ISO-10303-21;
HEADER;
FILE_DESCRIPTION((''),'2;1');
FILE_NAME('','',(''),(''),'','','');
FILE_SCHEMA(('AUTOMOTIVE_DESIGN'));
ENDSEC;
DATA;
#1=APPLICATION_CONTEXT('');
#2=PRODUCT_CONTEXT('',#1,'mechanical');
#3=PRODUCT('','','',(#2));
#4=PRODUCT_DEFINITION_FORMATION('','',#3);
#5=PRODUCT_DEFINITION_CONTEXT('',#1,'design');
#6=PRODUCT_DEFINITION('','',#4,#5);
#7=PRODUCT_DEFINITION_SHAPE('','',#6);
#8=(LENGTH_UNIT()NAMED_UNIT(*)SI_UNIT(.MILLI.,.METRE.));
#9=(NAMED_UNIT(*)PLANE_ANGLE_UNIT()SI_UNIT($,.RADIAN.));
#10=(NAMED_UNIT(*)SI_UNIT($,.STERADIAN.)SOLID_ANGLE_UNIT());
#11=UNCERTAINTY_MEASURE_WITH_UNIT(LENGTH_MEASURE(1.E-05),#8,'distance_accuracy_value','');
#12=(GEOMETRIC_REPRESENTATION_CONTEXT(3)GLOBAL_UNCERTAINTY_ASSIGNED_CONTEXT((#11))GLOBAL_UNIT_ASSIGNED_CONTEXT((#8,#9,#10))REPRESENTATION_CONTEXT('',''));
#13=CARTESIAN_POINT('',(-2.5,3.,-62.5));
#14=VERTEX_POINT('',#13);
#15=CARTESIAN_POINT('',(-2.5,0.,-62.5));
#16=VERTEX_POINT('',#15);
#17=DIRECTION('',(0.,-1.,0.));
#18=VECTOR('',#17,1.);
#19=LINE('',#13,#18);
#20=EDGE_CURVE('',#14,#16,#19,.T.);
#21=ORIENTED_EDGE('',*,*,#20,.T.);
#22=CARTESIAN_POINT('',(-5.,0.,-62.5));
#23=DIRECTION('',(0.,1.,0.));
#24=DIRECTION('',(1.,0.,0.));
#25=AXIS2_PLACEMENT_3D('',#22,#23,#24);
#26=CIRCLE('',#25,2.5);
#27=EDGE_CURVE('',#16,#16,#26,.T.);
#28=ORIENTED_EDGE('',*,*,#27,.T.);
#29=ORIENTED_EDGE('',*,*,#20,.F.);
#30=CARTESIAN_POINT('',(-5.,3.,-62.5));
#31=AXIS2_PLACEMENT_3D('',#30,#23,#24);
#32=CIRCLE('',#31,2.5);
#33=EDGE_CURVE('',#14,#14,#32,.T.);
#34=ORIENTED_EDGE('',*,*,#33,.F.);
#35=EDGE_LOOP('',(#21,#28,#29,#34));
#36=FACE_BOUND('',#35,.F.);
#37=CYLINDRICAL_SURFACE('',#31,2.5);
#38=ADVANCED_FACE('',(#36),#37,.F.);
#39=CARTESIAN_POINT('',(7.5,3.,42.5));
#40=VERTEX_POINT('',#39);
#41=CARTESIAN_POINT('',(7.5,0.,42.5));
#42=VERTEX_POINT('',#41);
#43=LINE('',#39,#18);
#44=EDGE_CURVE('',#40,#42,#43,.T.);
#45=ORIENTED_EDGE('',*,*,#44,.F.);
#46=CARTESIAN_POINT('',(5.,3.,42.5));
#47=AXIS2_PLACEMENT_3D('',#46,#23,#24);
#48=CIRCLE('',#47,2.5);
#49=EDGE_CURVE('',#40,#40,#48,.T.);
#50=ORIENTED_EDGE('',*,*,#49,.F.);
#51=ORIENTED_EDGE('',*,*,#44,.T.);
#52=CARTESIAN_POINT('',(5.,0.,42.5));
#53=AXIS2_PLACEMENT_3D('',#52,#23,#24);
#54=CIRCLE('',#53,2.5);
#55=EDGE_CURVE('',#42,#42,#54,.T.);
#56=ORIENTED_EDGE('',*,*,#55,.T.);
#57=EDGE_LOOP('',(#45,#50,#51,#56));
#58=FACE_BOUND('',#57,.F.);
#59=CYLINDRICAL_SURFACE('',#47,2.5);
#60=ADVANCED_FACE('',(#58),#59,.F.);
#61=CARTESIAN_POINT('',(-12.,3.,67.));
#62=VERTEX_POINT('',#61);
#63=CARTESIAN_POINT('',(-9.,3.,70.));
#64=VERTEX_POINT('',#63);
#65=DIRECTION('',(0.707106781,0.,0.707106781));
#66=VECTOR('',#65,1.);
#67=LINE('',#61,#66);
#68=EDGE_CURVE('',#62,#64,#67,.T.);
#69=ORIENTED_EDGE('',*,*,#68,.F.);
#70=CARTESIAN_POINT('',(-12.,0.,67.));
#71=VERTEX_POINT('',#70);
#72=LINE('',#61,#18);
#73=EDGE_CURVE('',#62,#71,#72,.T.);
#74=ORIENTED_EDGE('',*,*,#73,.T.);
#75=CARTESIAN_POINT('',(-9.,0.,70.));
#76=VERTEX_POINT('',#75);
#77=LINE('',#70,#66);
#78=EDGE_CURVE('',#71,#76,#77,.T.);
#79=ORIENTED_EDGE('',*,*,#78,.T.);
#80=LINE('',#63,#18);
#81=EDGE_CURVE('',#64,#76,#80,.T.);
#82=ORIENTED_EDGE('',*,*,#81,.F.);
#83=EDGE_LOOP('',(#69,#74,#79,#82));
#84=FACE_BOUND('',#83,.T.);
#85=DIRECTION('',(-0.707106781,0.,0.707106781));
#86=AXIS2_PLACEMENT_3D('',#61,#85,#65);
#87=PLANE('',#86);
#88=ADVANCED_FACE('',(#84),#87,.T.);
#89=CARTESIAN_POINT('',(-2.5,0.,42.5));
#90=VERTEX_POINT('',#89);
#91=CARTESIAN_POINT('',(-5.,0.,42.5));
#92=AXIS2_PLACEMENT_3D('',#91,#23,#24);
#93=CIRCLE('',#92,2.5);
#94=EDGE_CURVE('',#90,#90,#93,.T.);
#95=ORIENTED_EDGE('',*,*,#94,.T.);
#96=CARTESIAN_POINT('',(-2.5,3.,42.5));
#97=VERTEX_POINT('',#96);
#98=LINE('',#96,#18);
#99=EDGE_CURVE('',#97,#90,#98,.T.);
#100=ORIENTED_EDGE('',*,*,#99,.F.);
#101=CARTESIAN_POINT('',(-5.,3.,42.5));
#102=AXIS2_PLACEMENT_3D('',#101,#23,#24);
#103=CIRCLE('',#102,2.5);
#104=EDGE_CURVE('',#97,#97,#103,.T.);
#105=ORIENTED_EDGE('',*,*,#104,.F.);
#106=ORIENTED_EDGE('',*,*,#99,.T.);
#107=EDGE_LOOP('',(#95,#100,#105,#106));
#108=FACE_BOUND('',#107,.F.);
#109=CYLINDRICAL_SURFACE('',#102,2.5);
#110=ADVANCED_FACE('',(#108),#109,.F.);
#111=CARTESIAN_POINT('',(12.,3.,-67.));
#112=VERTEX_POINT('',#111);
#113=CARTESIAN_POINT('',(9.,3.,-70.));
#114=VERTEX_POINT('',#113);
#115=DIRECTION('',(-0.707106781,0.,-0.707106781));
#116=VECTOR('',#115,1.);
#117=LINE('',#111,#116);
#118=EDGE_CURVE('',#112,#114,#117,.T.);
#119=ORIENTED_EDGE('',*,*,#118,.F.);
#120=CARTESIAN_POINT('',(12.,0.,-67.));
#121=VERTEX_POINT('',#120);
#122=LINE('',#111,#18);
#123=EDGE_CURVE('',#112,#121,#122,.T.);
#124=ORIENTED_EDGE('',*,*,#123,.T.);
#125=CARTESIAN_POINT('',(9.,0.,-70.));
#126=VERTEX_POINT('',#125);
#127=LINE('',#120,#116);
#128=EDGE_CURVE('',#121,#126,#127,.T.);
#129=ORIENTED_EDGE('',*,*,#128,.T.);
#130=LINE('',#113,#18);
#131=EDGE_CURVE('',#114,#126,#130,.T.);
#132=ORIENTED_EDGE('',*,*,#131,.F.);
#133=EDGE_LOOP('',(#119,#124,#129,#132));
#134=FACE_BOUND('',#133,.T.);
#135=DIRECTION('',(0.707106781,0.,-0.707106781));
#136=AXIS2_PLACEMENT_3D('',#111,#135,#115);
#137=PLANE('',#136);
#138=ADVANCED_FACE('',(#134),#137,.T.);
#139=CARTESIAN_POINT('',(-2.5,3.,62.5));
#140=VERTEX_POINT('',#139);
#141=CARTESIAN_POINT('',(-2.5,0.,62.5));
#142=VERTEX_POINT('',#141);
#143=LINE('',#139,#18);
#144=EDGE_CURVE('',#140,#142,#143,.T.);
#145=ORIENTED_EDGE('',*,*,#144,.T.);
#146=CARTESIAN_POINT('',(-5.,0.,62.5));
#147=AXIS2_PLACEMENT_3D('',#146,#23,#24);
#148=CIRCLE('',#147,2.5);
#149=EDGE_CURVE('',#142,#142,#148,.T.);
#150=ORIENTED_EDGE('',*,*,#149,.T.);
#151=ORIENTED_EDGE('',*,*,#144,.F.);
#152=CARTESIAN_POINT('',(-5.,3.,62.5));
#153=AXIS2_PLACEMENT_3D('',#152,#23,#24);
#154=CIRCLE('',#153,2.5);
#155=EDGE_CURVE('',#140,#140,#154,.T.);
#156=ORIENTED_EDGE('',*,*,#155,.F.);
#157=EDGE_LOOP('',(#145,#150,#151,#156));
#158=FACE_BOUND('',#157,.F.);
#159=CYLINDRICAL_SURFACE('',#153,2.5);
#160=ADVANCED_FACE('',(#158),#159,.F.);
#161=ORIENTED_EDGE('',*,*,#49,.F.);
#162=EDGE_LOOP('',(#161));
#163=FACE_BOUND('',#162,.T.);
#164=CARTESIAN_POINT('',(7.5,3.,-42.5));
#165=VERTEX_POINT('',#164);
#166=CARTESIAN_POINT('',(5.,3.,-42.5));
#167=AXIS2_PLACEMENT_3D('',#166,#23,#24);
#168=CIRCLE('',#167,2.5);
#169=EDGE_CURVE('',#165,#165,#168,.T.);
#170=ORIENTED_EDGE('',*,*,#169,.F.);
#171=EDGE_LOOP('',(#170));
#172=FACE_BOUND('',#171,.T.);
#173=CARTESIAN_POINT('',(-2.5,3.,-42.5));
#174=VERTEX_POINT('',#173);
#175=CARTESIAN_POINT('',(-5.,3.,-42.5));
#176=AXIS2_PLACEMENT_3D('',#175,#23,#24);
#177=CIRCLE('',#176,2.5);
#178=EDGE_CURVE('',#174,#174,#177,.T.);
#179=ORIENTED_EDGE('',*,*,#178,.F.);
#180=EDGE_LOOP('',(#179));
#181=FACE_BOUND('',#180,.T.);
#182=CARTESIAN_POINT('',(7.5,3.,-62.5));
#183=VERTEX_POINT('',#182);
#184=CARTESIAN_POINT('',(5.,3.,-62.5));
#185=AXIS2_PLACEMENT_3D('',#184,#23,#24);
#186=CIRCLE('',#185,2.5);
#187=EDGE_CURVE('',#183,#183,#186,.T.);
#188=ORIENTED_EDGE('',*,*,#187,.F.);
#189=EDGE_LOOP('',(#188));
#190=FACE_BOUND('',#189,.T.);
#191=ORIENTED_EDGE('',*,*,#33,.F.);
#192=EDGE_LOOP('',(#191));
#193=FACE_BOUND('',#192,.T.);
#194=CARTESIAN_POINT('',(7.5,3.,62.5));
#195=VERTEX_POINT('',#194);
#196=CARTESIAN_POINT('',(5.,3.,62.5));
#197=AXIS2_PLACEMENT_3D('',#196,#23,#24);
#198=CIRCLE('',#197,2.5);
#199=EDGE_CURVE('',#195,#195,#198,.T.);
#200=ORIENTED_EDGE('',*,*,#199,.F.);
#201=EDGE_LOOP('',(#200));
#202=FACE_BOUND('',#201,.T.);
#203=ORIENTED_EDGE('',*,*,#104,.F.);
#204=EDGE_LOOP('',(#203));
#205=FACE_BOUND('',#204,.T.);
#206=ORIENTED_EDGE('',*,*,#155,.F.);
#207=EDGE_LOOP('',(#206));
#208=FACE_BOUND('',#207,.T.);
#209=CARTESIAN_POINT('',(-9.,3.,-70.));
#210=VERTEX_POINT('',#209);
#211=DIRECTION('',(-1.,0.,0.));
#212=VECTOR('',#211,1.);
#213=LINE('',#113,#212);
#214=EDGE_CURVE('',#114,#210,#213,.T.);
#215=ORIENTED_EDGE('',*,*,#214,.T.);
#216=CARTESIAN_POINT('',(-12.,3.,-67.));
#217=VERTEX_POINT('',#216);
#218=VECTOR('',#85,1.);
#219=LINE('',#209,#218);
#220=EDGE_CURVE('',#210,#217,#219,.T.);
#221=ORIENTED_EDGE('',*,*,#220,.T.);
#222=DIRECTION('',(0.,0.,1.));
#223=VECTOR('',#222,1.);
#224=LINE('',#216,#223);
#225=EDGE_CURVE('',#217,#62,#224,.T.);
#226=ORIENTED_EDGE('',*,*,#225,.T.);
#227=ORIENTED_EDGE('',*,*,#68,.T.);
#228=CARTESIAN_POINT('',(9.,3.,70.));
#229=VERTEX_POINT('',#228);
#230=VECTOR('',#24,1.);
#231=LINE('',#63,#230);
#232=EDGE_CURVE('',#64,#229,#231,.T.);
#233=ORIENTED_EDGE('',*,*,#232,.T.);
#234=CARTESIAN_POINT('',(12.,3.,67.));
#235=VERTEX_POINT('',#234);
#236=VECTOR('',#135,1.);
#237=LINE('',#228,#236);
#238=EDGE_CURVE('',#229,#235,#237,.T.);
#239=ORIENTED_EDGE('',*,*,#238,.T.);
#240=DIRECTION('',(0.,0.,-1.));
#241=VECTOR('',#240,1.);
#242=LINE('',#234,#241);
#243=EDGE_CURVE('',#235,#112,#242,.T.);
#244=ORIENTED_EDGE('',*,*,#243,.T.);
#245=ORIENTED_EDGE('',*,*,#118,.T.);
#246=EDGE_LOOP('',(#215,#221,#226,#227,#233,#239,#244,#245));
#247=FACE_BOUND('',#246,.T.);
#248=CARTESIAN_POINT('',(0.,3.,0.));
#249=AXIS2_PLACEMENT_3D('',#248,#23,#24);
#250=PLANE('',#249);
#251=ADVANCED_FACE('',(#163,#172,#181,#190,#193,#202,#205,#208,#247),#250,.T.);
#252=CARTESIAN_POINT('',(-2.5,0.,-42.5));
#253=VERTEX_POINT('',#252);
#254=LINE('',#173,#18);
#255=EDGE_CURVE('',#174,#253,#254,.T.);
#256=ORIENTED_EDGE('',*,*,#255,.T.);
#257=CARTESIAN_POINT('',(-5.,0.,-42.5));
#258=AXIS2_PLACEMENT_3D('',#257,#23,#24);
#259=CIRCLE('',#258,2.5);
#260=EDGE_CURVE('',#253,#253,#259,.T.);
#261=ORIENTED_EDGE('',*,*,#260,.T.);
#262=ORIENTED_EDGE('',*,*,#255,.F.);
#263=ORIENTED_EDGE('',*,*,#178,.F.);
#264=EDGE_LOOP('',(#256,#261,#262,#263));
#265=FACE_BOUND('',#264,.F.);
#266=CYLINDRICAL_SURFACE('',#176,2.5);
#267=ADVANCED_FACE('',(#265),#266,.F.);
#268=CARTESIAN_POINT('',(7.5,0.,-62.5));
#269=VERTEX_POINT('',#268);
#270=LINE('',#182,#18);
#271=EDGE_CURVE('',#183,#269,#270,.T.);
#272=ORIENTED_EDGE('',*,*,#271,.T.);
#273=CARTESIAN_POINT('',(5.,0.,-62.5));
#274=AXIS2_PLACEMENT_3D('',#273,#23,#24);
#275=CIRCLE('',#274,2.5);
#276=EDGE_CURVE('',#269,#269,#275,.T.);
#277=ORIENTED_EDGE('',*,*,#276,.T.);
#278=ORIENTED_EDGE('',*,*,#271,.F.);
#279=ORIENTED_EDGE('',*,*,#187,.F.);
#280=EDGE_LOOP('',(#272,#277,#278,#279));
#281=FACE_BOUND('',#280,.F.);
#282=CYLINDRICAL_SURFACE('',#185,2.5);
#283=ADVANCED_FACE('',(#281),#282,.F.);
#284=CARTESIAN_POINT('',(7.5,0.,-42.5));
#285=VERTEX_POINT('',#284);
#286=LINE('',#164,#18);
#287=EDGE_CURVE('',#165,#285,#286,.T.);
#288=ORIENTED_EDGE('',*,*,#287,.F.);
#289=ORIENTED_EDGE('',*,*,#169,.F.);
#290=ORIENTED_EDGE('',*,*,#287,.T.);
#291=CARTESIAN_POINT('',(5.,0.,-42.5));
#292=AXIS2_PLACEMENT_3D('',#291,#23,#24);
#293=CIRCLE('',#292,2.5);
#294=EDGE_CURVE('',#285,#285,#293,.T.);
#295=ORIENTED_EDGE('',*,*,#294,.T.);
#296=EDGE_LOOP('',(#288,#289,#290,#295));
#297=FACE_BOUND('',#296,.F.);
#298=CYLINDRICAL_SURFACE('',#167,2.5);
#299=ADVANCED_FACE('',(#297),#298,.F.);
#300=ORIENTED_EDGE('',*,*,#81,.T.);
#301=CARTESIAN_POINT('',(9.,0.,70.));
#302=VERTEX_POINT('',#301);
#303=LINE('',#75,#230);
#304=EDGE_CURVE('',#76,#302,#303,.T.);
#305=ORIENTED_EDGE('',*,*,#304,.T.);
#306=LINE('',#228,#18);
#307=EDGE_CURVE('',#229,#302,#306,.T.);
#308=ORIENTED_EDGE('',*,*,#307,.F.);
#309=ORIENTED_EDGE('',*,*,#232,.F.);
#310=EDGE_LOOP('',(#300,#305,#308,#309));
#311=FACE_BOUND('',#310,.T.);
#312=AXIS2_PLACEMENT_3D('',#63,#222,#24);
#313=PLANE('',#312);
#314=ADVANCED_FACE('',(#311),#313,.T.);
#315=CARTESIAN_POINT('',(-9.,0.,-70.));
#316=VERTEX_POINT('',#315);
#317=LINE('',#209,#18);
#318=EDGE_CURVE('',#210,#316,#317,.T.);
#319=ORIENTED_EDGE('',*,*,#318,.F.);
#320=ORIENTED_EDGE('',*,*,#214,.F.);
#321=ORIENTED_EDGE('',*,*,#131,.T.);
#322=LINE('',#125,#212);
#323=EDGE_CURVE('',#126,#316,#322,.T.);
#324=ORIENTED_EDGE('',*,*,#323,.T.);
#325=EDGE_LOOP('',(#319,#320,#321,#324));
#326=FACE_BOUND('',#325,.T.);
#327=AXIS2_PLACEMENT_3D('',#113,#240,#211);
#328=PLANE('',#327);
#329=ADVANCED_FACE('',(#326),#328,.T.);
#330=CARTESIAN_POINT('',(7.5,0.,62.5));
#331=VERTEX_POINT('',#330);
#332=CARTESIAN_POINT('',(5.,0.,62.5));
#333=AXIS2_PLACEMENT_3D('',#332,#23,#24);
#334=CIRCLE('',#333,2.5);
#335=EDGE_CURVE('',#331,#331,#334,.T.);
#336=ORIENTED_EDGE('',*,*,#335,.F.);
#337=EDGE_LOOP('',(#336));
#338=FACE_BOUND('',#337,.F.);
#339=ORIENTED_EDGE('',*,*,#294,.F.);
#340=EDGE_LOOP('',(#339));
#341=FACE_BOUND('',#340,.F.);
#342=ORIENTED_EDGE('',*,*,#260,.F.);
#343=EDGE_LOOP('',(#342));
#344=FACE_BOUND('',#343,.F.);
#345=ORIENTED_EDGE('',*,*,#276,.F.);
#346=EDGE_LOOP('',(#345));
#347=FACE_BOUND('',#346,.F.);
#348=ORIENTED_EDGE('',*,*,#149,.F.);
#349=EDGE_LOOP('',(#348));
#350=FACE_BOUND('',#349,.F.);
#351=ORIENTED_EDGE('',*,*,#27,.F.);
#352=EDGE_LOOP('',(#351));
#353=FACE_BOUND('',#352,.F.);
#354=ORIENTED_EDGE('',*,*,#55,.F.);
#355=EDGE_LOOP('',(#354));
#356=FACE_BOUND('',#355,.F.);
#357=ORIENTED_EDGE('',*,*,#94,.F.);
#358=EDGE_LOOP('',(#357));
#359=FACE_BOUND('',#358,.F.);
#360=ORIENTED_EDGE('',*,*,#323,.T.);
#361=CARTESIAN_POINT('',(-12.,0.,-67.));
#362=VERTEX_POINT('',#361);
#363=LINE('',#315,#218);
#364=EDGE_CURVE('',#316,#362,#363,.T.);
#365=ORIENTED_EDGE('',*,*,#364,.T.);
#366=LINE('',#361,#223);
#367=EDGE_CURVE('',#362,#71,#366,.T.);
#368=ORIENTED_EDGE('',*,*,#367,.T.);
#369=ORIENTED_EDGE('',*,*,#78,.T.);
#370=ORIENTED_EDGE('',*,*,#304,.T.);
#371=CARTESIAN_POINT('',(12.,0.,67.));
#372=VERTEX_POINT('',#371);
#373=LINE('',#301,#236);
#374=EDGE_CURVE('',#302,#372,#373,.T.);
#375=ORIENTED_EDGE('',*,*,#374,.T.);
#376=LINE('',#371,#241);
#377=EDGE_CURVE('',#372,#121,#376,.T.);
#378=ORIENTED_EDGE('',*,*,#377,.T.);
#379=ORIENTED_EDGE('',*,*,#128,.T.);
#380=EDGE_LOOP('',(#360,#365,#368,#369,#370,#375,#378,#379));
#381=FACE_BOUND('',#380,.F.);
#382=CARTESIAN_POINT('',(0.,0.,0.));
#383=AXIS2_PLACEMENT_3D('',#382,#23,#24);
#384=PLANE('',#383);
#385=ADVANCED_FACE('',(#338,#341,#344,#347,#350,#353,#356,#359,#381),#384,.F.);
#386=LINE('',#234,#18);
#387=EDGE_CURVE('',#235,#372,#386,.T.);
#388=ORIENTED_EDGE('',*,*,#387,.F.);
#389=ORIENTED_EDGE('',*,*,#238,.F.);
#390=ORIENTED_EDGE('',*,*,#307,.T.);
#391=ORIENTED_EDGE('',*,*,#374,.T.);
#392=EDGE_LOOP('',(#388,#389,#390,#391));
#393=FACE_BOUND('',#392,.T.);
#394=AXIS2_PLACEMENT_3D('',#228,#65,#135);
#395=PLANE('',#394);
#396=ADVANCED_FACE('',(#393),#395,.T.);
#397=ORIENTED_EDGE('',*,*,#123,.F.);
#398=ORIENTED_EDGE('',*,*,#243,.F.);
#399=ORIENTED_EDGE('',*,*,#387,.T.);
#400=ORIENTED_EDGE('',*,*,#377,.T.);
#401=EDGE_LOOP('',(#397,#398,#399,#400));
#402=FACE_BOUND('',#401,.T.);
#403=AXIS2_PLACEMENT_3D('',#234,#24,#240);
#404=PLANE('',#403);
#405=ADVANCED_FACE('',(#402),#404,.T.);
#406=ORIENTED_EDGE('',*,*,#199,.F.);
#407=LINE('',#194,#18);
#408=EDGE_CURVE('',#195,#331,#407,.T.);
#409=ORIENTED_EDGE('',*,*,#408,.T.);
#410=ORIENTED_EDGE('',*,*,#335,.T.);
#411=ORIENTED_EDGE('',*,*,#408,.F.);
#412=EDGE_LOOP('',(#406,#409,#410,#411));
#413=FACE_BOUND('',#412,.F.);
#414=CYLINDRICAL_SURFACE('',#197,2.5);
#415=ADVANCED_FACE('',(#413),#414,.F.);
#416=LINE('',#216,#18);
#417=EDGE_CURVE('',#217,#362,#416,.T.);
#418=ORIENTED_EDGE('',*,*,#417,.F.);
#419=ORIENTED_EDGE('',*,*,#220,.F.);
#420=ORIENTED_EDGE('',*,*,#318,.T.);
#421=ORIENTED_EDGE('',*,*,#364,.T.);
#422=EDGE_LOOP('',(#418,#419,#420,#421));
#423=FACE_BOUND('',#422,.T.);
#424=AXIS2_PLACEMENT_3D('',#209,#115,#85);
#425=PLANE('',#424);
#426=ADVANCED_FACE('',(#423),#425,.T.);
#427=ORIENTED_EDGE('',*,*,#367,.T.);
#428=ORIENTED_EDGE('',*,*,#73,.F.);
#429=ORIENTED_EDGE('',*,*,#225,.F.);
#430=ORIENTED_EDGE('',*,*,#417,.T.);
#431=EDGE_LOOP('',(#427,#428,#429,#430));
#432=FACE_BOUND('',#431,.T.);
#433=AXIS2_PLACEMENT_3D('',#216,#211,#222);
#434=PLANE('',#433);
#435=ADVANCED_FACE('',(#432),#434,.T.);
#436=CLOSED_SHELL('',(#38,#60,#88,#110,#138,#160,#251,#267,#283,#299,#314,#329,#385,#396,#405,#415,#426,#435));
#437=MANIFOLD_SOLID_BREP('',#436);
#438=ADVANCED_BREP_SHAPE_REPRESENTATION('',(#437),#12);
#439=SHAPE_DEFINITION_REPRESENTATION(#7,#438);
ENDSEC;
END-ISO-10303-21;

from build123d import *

# Parameters (mm, degrees)
SKETCH_1_R      = 2.5
EXTRUDE_1_DEPTH = 3


with BuildPart() as part:
    # 草圖1 → 填料-伸長1 (new body)
    with BuildSketch(Plane(origin=(0, 3, 0), x_dir=(1, 0, 0), z_dir=(0, 1, 0))):
        Polygon((-12, 67), (-12, -67), (-9, -70), (9, -70), (12, -67), (12, 67), (9, 70), (-9, 70), align=None)
        with Locations((-5, 62.5)):
            Circle(SKETCH_1_R, mode=Mode.SUBTRACT)
        with Locations((5, 62.5)):
            Circle(SKETCH_1_R, mode=Mode.SUBTRACT)
        with Locations((5, 42.5)):
            Circle(SKETCH_1_R, mode=Mode.SUBTRACT)
        with Locations((-5, 42.5)):
            Circle(SKETCH_1_R, mode=Mode.SUBTRACT)
        with Locations((5, -42.5)):
            Circle(SKETCH_1_R, mode=Mode.SUBTRACT)
        with Locations((-5, -42.5)):
            Circle(SKETCH_1_R, mode=Mode.SUBTRACT)
        with Locations((5, -62.5)):
            Circle(SKETCH_1_R, mode=Mode.SUBTRACT)
        with Locations((-5, -62.5)):
            Circle(SKETCH_1_R, mode=Mode.SUBTRACT)
    extrude(amount=-EXTRUDE_1_DEPTH)


solid = part.part
